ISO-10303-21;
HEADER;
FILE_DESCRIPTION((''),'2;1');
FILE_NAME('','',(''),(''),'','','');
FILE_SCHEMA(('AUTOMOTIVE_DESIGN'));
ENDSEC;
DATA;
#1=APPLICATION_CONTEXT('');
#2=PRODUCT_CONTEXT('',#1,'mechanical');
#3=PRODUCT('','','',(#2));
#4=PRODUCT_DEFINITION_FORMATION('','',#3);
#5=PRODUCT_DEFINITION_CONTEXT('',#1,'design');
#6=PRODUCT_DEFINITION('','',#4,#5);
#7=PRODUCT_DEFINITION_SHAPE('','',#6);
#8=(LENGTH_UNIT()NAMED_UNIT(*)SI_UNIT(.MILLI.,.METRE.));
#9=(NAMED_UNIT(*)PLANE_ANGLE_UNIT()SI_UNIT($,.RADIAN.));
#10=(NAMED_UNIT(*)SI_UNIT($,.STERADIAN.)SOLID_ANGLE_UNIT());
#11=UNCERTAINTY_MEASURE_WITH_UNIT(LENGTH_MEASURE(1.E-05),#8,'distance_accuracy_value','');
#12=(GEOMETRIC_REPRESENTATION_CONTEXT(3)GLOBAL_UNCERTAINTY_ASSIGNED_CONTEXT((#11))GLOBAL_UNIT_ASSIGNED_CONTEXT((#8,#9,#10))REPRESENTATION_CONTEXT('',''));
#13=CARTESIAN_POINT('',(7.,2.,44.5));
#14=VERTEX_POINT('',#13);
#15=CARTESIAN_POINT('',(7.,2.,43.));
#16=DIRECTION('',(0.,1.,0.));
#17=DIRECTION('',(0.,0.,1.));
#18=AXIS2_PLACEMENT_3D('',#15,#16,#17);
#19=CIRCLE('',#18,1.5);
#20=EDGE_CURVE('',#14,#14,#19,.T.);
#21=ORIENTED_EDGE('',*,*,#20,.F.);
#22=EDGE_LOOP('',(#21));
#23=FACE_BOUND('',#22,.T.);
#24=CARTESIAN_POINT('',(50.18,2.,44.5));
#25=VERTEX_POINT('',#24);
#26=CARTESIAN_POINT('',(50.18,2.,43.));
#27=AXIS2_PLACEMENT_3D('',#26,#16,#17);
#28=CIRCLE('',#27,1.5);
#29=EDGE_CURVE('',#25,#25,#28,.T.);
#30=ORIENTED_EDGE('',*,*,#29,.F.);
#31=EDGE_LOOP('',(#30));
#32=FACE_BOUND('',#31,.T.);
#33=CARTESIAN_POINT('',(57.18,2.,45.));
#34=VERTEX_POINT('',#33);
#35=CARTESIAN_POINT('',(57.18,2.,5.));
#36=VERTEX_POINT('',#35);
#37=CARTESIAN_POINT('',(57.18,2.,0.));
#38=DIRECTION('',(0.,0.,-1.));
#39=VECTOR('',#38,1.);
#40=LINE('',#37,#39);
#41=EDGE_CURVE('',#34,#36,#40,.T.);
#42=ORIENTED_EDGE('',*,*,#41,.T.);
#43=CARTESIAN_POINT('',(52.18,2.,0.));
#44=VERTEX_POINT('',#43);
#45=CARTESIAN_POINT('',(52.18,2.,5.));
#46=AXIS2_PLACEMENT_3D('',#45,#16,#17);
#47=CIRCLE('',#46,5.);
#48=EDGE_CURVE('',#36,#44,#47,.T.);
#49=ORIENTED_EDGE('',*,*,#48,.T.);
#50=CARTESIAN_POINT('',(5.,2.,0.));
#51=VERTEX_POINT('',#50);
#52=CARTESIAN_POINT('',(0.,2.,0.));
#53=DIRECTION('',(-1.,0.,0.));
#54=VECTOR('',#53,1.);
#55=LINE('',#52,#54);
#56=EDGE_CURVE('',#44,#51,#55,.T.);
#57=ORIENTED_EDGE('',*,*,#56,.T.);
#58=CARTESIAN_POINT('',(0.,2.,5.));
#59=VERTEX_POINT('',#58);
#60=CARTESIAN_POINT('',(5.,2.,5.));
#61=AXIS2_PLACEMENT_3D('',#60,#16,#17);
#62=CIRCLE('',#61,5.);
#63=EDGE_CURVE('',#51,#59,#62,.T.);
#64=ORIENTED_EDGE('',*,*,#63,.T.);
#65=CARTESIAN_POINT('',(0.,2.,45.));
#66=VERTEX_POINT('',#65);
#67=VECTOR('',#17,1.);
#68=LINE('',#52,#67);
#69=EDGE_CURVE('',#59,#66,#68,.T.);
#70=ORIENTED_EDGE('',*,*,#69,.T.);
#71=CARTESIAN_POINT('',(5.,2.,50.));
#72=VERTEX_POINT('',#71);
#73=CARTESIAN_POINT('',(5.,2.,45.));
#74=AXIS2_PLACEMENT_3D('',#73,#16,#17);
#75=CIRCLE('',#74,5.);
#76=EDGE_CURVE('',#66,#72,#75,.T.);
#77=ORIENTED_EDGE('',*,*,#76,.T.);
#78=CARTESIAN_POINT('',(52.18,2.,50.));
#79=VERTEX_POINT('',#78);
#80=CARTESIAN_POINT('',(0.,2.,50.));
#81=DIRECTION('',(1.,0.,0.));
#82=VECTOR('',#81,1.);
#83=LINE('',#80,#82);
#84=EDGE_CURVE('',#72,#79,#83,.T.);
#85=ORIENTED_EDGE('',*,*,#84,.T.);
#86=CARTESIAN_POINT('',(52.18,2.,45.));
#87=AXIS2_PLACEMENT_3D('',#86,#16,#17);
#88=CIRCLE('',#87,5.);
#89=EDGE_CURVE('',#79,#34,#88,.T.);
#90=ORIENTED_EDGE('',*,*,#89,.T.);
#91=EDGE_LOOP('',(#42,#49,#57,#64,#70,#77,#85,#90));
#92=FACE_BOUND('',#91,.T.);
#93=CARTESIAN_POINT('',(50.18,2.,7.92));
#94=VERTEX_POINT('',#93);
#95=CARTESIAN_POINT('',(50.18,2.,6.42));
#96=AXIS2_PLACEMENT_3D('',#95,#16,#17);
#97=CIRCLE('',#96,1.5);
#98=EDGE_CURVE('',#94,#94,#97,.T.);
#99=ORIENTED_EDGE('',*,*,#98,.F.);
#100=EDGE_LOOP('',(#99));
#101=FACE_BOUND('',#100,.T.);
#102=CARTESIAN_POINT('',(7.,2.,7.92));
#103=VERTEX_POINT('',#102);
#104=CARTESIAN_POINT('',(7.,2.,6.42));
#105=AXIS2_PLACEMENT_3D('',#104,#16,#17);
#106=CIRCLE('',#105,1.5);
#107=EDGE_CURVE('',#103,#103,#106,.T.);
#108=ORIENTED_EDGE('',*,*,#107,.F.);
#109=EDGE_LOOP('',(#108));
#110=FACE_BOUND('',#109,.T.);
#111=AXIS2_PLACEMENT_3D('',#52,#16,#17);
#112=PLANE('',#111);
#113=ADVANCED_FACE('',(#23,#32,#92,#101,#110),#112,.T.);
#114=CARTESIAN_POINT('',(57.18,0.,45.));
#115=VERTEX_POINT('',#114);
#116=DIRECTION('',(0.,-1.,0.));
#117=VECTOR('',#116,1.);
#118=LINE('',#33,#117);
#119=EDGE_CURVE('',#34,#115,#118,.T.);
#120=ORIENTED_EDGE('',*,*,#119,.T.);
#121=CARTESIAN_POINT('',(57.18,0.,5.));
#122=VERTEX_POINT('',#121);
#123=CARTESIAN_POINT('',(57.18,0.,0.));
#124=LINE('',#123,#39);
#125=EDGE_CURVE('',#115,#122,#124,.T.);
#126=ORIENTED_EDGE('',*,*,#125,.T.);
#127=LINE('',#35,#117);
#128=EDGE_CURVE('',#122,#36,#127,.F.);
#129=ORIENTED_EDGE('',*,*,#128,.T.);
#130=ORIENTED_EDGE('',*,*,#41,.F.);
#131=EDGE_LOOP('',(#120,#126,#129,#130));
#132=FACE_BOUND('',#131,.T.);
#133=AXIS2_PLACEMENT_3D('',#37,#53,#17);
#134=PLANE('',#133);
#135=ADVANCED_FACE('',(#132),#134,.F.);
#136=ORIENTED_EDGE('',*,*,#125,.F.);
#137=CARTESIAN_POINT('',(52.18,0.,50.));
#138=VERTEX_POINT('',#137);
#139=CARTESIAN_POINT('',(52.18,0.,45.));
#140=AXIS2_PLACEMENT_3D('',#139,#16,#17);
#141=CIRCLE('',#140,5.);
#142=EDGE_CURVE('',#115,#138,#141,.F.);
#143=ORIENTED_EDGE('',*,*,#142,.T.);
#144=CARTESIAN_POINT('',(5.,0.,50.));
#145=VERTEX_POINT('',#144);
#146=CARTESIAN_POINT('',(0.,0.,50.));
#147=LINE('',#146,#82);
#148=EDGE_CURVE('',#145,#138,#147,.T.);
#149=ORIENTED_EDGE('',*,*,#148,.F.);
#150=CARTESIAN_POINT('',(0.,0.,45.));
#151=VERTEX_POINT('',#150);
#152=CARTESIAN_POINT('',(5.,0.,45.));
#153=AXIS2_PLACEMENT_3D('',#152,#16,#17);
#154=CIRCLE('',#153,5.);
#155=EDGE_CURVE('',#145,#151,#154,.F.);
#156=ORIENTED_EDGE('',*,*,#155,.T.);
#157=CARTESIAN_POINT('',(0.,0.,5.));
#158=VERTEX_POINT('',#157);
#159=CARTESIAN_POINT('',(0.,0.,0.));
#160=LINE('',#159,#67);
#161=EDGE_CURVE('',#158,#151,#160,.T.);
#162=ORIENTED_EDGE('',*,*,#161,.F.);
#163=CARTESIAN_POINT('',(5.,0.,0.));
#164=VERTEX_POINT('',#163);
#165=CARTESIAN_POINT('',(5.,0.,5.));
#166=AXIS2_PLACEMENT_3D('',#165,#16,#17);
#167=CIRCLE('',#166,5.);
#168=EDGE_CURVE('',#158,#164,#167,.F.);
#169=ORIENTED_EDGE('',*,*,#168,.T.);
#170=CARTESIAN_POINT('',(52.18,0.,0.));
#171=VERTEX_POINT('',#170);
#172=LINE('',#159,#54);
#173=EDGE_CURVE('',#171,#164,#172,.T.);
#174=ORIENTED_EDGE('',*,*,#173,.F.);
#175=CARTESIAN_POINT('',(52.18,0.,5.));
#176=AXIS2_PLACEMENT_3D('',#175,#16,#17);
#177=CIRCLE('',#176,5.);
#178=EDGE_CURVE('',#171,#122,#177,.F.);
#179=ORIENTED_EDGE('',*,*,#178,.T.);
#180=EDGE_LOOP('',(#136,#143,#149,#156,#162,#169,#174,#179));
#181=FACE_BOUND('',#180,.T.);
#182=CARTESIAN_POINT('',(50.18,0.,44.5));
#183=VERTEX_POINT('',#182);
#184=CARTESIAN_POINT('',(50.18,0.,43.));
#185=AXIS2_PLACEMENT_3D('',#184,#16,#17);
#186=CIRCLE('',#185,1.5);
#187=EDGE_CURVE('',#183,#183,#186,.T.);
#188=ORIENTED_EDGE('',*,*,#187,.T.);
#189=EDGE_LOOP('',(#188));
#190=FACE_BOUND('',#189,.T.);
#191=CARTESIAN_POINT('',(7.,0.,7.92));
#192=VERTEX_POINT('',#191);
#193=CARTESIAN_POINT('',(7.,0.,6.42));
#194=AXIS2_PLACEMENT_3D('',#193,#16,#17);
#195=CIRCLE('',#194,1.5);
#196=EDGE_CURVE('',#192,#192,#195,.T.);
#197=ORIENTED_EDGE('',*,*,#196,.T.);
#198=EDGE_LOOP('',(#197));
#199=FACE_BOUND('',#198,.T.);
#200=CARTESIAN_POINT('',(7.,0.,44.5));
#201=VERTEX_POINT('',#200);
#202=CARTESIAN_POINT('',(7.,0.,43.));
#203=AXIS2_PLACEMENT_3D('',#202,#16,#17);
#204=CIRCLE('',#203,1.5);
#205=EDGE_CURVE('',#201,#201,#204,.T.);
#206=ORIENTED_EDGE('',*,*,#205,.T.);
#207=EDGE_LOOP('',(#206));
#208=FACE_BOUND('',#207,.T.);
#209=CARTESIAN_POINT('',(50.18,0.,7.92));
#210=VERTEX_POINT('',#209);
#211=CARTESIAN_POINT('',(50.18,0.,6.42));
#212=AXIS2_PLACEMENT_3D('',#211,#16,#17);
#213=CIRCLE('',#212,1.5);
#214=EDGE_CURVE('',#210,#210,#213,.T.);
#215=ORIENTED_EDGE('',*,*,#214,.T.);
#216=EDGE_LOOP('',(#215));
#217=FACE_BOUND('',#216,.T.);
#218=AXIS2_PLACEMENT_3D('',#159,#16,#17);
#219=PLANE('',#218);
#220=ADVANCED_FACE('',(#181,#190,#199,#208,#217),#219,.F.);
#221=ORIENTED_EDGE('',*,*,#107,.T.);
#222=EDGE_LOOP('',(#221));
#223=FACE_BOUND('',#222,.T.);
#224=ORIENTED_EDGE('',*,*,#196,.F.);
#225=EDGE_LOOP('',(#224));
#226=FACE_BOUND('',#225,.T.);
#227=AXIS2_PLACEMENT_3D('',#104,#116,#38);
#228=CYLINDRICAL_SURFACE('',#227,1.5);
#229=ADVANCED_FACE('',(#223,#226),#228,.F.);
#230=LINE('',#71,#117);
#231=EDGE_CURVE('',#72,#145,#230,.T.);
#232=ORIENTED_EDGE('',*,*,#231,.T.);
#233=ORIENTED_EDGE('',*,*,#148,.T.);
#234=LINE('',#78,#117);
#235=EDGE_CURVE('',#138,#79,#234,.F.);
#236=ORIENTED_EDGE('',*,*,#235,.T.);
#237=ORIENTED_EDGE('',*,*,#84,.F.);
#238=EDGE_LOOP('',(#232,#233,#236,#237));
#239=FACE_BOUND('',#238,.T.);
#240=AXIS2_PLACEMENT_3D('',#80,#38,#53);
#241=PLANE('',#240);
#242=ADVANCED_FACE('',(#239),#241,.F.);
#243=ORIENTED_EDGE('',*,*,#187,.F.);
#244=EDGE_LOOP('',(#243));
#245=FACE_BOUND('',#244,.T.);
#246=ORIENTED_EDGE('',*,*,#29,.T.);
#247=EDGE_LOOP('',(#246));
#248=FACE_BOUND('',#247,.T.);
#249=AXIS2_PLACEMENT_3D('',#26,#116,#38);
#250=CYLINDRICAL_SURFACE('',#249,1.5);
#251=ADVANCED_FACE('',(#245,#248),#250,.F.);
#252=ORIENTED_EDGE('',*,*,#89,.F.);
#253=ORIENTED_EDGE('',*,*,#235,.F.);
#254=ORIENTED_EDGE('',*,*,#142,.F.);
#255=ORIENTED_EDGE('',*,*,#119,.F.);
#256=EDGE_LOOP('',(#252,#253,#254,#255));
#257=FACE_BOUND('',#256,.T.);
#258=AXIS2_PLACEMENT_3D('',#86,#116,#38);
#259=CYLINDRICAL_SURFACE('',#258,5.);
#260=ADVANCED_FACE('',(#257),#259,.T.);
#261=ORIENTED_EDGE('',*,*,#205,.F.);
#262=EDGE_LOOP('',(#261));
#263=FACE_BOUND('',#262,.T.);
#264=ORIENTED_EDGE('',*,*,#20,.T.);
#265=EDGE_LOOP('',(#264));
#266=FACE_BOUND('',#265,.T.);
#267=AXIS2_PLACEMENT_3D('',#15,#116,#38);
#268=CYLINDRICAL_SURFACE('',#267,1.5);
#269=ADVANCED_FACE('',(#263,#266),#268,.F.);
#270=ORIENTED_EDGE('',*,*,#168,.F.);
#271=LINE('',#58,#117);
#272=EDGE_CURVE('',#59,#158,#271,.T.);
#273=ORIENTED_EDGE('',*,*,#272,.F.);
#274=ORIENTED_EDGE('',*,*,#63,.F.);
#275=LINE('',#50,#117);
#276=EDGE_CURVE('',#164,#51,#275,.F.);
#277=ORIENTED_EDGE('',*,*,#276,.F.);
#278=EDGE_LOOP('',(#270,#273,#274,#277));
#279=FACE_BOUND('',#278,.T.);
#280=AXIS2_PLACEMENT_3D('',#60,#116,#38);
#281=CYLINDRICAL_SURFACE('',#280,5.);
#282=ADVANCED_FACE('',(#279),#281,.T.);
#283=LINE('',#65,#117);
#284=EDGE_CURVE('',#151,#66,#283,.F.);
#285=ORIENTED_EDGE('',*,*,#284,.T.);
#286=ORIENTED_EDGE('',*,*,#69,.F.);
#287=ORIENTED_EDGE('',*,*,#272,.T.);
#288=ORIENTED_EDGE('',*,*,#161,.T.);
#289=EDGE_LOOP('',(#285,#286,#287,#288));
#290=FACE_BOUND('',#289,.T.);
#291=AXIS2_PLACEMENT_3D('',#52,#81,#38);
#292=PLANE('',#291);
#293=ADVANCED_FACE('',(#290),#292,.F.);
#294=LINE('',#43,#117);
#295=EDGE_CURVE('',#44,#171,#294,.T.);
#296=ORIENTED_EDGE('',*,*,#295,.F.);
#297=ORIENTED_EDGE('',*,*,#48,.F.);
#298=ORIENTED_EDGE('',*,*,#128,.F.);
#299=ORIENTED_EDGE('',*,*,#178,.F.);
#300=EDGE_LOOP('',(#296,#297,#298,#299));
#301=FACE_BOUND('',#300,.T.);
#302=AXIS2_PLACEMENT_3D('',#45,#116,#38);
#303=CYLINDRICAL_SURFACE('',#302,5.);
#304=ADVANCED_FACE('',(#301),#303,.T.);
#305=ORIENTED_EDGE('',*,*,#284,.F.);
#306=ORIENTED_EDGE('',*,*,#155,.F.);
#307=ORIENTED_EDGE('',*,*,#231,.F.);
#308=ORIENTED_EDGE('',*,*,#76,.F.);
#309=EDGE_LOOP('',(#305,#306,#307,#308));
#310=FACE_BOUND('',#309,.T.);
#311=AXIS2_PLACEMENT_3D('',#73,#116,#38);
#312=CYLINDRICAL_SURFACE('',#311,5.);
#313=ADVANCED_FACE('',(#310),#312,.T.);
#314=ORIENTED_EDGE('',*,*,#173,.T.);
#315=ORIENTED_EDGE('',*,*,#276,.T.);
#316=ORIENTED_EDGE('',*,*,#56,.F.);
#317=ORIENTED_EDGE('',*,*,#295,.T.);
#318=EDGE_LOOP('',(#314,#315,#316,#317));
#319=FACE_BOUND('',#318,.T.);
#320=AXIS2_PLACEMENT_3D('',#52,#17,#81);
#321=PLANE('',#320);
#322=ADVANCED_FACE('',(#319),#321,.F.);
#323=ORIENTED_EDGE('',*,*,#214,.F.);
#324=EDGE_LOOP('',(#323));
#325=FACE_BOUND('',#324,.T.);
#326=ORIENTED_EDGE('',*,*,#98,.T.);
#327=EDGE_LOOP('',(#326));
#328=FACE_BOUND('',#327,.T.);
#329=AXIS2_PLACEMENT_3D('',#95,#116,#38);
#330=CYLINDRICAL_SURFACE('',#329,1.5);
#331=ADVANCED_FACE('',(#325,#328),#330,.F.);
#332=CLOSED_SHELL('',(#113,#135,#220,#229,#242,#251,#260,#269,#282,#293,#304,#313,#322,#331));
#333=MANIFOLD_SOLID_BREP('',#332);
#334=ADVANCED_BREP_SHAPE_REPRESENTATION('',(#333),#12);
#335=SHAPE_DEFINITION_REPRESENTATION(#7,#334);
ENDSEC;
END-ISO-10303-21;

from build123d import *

# Parameters (mm, degrees)
SKETCH1_W           = 57.18
SKETCH1_H           = 50
SKETCH1_R           = 1.5
BOSS_EXTRUDE1_DEPTH = 2
FILLET2_R           = 5


with BuildPart() as part:
    # Sketch1 → Boss-Extrude1 (new body)
    with BuildSketch(Plane(origin=(0, 0, 0), x_dir=(1, 0, 0), z_dir=(0, 1, 0))):
        with Locations((28.59, -25)):
            Rectangle(SKETCH1_W, SKETCH1_H)
        with Locations(Location((7, -6.42, 0), (0, 0, 270))):
            Circle(SKETCH1_R, mode=Mode.SUBTRACT)
        with Locations(Location((50.18, -6.42, 0), (0, 0, 270))):
            Circle(SKETCH1_R, mode=Mode.SUBTRACT)
        with Locations(Location((50.18, -43, 0), (0, 0, 270))):
            Circle(SKETCH1_R, mode=Mode.SUBTRACT)
        with Locations(Location((7, -43, 0), (0, 0, 270))):
            Circle(SKETCH1_R, mode=Mode.SUBTRACT)
    extrude(amount=BOSS_EXTRUDE1_DEPTH)

    # Fillet2
    fillet2_edges = [part.edges().sort_by_distance(p)[0] for p in [
        (0, 1, 0),
        (57.18, 1, 0),
        (57.18, 1, 50),
        (0, 1, 50),
    ]]
    fillet(fillet2_edges, radius=FILLET2_R)


solid = part.part
